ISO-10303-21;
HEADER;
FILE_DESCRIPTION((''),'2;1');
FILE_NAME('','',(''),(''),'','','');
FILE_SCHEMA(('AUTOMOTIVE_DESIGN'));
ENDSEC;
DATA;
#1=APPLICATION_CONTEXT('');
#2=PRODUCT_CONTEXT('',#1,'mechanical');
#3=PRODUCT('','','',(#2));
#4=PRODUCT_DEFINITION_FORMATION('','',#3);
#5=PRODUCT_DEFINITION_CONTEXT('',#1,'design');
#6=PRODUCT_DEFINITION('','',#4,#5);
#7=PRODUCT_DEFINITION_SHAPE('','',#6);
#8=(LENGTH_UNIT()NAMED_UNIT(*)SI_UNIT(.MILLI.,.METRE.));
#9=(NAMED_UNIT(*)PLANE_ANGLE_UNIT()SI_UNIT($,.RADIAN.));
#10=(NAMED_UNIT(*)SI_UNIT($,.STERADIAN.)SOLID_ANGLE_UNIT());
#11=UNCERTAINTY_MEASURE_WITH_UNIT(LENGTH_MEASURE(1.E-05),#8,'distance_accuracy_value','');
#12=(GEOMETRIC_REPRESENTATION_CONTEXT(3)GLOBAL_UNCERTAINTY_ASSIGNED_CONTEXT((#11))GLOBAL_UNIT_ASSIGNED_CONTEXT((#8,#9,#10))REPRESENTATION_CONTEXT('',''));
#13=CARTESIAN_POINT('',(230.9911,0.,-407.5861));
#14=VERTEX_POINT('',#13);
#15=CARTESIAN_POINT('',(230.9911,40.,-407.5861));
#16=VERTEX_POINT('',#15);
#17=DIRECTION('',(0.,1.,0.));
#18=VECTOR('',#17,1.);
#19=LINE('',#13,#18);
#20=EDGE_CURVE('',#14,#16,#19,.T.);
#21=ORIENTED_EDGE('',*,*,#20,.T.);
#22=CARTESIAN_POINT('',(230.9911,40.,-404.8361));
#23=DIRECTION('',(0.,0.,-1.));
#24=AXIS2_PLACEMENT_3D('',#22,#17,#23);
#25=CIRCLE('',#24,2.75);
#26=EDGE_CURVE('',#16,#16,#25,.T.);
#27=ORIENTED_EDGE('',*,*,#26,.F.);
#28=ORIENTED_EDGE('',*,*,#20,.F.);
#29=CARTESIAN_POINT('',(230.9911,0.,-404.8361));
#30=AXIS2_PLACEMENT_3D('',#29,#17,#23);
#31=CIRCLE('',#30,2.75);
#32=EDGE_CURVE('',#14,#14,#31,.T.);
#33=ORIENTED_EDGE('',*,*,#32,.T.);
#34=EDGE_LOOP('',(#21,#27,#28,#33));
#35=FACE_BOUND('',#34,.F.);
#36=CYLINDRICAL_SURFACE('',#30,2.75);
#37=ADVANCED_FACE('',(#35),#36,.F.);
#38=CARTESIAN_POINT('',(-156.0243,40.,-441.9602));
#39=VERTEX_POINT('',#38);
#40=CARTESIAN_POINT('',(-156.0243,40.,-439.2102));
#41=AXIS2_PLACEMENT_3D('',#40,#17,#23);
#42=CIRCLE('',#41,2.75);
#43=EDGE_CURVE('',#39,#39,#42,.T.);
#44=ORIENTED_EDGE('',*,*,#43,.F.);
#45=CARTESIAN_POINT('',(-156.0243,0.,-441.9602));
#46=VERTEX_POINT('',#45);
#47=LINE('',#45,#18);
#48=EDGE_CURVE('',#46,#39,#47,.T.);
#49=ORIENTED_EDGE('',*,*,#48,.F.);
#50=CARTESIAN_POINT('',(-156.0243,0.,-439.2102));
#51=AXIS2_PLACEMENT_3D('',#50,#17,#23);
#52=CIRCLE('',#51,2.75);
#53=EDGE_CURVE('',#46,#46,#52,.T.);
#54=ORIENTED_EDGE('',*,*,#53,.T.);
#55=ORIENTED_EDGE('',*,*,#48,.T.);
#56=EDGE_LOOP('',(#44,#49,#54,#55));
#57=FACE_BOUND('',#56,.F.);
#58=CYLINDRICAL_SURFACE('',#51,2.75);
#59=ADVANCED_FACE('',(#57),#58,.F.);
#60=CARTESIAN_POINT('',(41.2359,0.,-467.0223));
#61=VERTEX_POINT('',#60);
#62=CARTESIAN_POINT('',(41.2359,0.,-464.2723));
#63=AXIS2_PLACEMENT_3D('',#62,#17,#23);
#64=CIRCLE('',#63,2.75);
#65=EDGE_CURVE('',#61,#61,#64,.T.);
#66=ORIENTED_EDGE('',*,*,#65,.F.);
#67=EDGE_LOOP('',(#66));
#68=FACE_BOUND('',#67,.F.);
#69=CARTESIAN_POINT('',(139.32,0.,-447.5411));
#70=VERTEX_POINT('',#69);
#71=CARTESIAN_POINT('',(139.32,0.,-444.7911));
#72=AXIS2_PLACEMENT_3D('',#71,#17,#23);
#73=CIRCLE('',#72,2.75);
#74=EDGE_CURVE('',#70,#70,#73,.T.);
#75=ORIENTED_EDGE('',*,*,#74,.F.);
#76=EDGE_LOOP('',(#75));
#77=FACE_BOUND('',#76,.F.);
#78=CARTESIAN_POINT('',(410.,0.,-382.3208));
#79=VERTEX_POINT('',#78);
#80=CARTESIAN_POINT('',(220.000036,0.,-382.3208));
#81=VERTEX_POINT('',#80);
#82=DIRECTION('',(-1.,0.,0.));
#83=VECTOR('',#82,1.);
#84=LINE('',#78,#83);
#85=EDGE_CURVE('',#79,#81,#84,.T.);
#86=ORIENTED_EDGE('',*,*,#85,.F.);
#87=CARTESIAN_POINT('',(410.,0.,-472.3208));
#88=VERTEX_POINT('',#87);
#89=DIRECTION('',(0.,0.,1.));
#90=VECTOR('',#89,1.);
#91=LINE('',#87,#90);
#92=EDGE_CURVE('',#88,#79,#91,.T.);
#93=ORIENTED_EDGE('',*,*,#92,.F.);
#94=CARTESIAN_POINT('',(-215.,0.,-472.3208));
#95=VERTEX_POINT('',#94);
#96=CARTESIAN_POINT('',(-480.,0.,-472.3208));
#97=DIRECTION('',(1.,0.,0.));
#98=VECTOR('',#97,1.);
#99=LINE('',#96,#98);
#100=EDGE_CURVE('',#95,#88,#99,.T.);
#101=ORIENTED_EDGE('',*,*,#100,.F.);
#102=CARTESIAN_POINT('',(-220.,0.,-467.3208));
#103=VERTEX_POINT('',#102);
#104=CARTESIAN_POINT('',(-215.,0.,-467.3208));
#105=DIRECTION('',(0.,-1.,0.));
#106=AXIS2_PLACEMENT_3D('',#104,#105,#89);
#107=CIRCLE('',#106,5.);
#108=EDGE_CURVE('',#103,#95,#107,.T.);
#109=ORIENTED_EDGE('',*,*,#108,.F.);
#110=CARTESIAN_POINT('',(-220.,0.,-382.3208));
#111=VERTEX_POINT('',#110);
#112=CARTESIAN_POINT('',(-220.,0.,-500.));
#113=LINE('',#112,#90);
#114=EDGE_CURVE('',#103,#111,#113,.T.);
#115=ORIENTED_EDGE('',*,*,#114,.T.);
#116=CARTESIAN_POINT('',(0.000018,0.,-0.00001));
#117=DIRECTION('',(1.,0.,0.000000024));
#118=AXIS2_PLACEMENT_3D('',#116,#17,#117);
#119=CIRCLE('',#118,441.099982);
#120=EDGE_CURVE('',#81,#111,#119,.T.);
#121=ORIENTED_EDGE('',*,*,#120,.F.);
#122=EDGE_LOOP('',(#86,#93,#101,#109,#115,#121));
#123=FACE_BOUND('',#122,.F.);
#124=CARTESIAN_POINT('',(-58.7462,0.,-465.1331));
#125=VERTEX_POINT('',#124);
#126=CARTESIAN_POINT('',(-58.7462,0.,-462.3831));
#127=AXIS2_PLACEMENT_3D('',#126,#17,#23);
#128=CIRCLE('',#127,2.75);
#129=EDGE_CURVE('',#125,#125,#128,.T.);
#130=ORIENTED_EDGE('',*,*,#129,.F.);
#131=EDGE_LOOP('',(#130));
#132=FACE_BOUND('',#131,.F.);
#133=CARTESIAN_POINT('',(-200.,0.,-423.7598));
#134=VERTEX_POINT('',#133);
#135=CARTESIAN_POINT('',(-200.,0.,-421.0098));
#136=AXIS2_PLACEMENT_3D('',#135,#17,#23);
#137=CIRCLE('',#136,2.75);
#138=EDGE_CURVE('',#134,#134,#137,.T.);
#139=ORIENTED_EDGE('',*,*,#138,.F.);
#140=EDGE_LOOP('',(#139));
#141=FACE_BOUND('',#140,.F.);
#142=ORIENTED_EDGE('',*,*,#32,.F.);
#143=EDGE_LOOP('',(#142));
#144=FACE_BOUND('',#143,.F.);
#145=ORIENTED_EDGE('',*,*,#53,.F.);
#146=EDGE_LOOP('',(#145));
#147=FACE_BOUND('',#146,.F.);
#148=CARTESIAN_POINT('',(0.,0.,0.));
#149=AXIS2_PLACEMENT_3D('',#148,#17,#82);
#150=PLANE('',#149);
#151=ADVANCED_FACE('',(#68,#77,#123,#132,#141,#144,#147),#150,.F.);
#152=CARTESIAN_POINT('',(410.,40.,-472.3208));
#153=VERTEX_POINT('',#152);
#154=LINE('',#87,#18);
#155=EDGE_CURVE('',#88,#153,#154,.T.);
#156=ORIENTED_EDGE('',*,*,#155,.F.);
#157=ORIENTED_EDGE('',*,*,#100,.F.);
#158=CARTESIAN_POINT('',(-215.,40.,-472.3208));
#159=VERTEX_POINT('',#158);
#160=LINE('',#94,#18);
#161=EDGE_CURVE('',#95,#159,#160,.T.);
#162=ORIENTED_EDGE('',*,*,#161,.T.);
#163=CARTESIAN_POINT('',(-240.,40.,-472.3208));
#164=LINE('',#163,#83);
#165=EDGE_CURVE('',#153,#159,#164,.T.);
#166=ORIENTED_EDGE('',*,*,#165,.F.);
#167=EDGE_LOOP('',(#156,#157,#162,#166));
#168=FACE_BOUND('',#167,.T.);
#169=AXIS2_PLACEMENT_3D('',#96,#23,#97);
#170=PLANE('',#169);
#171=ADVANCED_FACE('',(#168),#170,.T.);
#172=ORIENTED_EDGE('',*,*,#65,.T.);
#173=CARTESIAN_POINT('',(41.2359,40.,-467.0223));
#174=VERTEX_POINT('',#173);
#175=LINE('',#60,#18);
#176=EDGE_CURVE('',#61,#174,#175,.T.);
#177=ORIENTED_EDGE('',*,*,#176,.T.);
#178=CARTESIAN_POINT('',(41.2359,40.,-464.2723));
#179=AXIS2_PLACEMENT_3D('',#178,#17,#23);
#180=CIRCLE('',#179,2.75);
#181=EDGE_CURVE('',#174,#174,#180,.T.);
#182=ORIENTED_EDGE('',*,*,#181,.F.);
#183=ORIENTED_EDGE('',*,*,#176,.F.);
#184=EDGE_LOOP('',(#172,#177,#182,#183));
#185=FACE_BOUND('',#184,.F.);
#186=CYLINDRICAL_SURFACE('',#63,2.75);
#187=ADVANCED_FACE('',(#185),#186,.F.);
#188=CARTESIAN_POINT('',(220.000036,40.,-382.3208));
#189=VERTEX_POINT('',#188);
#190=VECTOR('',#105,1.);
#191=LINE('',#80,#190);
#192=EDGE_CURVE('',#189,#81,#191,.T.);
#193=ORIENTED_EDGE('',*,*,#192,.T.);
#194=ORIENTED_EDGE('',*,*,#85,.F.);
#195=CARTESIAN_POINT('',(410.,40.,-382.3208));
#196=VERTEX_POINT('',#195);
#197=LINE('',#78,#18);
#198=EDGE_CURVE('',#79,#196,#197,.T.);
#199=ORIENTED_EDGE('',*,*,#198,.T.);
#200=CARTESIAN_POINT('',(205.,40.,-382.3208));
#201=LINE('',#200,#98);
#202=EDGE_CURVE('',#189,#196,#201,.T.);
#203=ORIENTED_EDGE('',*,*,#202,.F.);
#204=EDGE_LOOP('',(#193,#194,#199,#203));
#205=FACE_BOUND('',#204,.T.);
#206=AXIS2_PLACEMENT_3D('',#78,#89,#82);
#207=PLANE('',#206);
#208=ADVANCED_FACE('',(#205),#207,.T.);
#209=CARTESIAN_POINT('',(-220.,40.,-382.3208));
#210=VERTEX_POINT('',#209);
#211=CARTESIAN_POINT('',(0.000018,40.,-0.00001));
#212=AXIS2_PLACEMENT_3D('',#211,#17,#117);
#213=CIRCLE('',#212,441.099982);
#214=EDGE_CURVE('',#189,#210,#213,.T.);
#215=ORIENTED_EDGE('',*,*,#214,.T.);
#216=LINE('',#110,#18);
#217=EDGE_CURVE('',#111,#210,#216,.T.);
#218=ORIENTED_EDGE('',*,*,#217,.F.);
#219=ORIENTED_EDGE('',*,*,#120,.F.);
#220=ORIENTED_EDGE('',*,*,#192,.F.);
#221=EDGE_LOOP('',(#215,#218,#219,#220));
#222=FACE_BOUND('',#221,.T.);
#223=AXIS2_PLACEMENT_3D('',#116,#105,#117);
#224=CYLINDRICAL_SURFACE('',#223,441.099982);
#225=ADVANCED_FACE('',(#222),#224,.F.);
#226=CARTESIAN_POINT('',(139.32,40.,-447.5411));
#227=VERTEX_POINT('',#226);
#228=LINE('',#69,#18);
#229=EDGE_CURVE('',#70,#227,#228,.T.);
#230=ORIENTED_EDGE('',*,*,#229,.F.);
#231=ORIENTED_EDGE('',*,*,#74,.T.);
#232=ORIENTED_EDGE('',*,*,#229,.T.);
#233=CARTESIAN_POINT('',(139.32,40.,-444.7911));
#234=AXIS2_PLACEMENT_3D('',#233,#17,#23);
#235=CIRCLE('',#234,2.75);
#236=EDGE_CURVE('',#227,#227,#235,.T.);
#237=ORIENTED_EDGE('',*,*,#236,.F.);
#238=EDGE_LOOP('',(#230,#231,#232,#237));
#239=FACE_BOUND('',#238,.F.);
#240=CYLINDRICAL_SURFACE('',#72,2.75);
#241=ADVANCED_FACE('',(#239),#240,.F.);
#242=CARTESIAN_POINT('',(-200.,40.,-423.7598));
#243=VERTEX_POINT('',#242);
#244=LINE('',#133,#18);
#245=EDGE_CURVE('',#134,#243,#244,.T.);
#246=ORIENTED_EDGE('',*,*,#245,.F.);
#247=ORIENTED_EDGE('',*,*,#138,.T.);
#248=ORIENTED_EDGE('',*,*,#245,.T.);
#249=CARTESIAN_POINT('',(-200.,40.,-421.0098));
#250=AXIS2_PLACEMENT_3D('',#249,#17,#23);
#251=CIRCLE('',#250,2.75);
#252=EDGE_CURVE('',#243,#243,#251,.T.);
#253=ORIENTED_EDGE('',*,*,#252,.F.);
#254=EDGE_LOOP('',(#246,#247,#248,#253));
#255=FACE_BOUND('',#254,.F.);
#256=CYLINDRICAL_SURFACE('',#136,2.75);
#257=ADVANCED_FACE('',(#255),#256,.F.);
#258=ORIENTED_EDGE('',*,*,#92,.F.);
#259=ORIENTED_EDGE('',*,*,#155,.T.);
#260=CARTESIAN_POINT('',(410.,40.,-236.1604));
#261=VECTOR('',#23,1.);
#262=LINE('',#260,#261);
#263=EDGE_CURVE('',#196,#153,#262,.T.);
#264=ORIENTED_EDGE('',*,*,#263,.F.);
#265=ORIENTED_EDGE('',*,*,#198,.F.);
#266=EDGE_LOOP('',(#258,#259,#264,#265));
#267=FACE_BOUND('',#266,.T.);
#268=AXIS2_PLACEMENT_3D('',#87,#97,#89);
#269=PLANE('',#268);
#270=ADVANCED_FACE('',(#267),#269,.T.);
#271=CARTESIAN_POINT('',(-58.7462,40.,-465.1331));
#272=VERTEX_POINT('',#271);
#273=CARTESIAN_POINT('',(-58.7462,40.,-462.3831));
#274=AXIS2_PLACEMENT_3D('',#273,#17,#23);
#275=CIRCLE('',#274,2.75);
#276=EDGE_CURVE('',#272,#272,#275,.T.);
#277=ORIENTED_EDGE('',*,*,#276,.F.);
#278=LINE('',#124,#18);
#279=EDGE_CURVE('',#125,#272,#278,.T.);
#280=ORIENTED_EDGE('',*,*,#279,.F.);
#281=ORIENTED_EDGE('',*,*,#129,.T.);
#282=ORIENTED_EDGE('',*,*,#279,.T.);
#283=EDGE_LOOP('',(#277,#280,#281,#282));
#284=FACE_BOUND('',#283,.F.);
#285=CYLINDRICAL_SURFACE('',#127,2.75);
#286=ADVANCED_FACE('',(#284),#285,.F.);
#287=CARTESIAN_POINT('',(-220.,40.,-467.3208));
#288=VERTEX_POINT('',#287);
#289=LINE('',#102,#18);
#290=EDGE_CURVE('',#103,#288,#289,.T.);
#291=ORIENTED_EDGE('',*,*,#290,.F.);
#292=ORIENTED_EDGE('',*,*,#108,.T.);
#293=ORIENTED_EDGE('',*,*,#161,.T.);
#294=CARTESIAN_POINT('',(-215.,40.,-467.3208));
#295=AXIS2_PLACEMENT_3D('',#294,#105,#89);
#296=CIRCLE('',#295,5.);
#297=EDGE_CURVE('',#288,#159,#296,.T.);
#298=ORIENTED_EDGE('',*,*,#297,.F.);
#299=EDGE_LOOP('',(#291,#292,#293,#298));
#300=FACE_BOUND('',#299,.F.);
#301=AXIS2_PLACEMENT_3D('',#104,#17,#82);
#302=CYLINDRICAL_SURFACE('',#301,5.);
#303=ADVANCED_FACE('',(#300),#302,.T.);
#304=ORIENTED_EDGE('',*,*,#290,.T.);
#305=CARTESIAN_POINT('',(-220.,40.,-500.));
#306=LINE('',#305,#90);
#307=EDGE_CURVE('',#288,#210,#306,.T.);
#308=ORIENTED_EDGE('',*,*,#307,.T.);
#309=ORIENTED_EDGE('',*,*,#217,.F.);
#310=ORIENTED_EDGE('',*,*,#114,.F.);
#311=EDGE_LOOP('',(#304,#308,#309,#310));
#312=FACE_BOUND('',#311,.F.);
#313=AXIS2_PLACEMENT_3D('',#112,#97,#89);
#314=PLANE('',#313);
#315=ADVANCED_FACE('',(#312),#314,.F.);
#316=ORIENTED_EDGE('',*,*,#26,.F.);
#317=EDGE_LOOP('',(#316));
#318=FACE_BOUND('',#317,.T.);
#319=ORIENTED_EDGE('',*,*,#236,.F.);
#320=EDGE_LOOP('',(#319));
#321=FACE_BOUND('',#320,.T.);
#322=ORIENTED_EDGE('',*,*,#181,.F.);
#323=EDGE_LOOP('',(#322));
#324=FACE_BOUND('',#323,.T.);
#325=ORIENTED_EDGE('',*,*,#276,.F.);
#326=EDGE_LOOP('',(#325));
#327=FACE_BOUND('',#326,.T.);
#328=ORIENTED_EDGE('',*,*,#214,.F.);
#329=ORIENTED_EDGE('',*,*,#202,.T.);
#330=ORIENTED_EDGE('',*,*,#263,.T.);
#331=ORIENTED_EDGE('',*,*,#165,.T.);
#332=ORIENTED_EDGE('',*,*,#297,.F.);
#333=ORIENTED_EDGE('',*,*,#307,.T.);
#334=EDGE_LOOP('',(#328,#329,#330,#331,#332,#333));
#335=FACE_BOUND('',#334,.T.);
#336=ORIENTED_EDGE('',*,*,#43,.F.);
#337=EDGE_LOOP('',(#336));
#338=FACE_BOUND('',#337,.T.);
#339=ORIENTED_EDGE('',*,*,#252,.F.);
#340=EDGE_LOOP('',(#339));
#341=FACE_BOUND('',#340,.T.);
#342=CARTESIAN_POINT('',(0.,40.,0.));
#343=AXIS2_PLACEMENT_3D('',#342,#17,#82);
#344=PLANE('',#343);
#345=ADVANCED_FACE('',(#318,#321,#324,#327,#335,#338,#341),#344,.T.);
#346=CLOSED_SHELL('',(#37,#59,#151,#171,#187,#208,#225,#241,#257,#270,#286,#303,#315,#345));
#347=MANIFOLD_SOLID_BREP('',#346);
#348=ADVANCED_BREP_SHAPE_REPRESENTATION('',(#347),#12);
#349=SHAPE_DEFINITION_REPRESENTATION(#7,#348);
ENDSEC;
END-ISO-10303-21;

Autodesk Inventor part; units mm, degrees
ref_plane "YZ Plane" through (0, 0, 0) normal (1, 0, 0) x (0, 1, 0)
ref_plane "XZ Plane" through (0, 0, 0) normal (0, 1, 0) x (-1, 0, 0)
ref_plane "XY Plane" through (0, 0, 0) normal (0, 0, 1) x (1, 0, 0)
sketch "Sketch1" plane through (0, 0, 0) normal (0, 1, 0) x (-1, 0, 0)
  line L0 (0, 329.241) -> (0, -329.241) construction
  line L1 (203.5937, 0) -> (-203.5937, 0) construction
  arc A0 (-441.1, 0) -> (220, -382.3208) centre (0, 0) ccw
  line L2 (-441.1, 0) -> (-441.1, 400)
  line L3 (-441.1, 400) -> (-500, 400)
  line L4 (-500, 400) -> (-500, -500)
  line L5 (-500, -500) -> (220, -500)
  line L6 (220, -500) -> (220, -382.3208)
  dimension "d0" = 500
  dimension "d1" = 400
  dimension "d2" = 500
  dimension "d3" = 441.1
  dimension "d4" = 720
extrude "Extrusion1" add sketch "Sketch1" along normal blind 40
sketch "Sketch3" plane through (0, 0, 0) normal (0, -1, 0) x (1, 0, 0)
  line L0 (-480, -472.3208) -> (410, -472.3208)
  line L1 (410, -472.3208) -> (410, -382.3208)
  line L2 (410, -382.3208) -> (-480, -382.3208)
  line L3 (-480, -382.3208) -> (-480, -472.3208)
  arc A0 (-220, -382.3208) -> (441.1, 0) centre (0, 0) ccw projected
  line L4 (500, 400) -> (500, -500) projected
  line L5 (-944.7434, 629.3425) -> (927.6453, 629.3425)
  line L6 (927.6453, 629.3425) -> (927.6453, -768.0218)
  line L7 (927.6453, -768.0218) -> (-944.7434, -768.0218)
  line L8 (-944.7434, -768.0218) -> (-944.7434, 629.3425)
  dimension "d44" = 890
  dimension "d45" = 90
  dimension "d71" = 90
sketch "Sketch4" plane through (0, 0, 0) normal (0, -1, 0) x (1, 0, 0)
  line L0 (441.1, 400) -> (500, 400) construction
  line L1 (441.1, 0) -> (441.1, 400) construction
  arc A0 (-220, -382.3208) -> (441.1, 0) centre (0, 0) ccw construction
  line L2 (464.3817, -39.9852) -> (0, 0) construction
  line L3 (0, 0) -> (445.1648, -138.1214) construction
  line L4 (423.7332, -194.1633) -> (0, 0) construction
  line L5 (360.2723, -295.7246) -> (0, 0) construction
  line L6 (289.0138, -365.6778) -> (0, 0) construction
  line L7 (389.8771, -255.4312) -> (0, 0) construction
  line L8 (326.5218, -332.615) -> (0, 0) construction
  line L9 (230.9911, -404.8361) -> (0, 0) construction
  line L10 (139.32, -444.7911) -> (0, 0) construction
  line L11 (41.2359, -464.2723) -> (0, 0) construction
  line L12 (464.3817, -39.9852) -> (445.1648, -138.1214) construction
  line L13 (445.1648, -138.1214) -> (423.7332, -194.1633) construction
  line L14 (423.7332, -194.1633) -> (389.8771, -255.4312) construction
  line L15 (389.8771, -255.4312) -> (360.2723, -295.7246) construction
  line L16 (360.2723, -295.7246) -> (326.5218, -332.615) construction
  line L17 (326.5218, -332.615) -> (289.0138, -365.6778) construction
  line L18 (289.0138, -365.6778) -> (230.9911, -404.8361) construction
  line L19 (230.9911, -404.8361) -> (139.32, -444.7911) construction
  line L20 (139.32, -444.7911) -> (41.2359, -464.2723) construction
  line L21 (-58.7462, -462.3831) -> (0, 0) construction
  line L22 (-156.0243, -439.2102) -> (0, 0) construction
  line L23 (-200, -421.0098) -> (0, 0) construction
  line L24 (41.2359, -464.2723) -> (-58.7462, -462.3831) construction
  line L25 (-58.7462, -462.3831) -> (-156.0243, -439.2102) construction
  line L26 (-200, -421.0098) -> (-156.0243, -439.2102) construction
  line L27 (-220, -500) -> (-220, -382.3208) construction
  point P0 (466.1, 360)
  point P1 (466.1, 260)
  point P2 (466.1, 160)
  point P3 (466.1, 60)
  dimension "d50" = 40
  dimension "d51" = 100
  dimension "d52" = 100
  dimension "d53" = 100
  dimension "d54" = 25
  dimension "d55" = 466.1
  dimension "d56" = 100
  dimension "d57" = 100
  dimension "d58" = 60
  dimension "d59" = 70
  dimension "d60" = 50
  dimension "d61" = 70
  dimension "d62" = 100
  dimension "d63" = 20
hole "Hole1" at (-200, 0, -421.0098) at (-156.0243, 0, -439.2102) at (-58.7462, 0, -462.3831) at (41.2359, 0, -464.2723) at (139.32, 0, -444.7911) at (230.9911, 0, -404.8361) at (289.0138, 0, -365.6778) at (326.5218, 0, -332.615) at (360.2723, 0, -295.7246) at (389.8771, 0, -255.4312) at (423.7332, 0, -194.1633) at (445.1648, 0, -138.1214) at (464.3817, 0, -39.9852) at (466.1, 0, 60) at (466.1, 0, 160) at (466.1, 0, 260) at (466.1, 0, 360) direction (0, 1, 0) diameter 5.5 end through all clearance for "Countersunk Flat Head Screw DIN EN ISO 2009" size "M5" standard "DIN"
extrude "Extrusion2" cut sketch "Sketch3" against normal through all
fillet "Fillet1" radius 5 1 edges at (-220, 20, -472.3208)
properties part number "boundaryV1"
